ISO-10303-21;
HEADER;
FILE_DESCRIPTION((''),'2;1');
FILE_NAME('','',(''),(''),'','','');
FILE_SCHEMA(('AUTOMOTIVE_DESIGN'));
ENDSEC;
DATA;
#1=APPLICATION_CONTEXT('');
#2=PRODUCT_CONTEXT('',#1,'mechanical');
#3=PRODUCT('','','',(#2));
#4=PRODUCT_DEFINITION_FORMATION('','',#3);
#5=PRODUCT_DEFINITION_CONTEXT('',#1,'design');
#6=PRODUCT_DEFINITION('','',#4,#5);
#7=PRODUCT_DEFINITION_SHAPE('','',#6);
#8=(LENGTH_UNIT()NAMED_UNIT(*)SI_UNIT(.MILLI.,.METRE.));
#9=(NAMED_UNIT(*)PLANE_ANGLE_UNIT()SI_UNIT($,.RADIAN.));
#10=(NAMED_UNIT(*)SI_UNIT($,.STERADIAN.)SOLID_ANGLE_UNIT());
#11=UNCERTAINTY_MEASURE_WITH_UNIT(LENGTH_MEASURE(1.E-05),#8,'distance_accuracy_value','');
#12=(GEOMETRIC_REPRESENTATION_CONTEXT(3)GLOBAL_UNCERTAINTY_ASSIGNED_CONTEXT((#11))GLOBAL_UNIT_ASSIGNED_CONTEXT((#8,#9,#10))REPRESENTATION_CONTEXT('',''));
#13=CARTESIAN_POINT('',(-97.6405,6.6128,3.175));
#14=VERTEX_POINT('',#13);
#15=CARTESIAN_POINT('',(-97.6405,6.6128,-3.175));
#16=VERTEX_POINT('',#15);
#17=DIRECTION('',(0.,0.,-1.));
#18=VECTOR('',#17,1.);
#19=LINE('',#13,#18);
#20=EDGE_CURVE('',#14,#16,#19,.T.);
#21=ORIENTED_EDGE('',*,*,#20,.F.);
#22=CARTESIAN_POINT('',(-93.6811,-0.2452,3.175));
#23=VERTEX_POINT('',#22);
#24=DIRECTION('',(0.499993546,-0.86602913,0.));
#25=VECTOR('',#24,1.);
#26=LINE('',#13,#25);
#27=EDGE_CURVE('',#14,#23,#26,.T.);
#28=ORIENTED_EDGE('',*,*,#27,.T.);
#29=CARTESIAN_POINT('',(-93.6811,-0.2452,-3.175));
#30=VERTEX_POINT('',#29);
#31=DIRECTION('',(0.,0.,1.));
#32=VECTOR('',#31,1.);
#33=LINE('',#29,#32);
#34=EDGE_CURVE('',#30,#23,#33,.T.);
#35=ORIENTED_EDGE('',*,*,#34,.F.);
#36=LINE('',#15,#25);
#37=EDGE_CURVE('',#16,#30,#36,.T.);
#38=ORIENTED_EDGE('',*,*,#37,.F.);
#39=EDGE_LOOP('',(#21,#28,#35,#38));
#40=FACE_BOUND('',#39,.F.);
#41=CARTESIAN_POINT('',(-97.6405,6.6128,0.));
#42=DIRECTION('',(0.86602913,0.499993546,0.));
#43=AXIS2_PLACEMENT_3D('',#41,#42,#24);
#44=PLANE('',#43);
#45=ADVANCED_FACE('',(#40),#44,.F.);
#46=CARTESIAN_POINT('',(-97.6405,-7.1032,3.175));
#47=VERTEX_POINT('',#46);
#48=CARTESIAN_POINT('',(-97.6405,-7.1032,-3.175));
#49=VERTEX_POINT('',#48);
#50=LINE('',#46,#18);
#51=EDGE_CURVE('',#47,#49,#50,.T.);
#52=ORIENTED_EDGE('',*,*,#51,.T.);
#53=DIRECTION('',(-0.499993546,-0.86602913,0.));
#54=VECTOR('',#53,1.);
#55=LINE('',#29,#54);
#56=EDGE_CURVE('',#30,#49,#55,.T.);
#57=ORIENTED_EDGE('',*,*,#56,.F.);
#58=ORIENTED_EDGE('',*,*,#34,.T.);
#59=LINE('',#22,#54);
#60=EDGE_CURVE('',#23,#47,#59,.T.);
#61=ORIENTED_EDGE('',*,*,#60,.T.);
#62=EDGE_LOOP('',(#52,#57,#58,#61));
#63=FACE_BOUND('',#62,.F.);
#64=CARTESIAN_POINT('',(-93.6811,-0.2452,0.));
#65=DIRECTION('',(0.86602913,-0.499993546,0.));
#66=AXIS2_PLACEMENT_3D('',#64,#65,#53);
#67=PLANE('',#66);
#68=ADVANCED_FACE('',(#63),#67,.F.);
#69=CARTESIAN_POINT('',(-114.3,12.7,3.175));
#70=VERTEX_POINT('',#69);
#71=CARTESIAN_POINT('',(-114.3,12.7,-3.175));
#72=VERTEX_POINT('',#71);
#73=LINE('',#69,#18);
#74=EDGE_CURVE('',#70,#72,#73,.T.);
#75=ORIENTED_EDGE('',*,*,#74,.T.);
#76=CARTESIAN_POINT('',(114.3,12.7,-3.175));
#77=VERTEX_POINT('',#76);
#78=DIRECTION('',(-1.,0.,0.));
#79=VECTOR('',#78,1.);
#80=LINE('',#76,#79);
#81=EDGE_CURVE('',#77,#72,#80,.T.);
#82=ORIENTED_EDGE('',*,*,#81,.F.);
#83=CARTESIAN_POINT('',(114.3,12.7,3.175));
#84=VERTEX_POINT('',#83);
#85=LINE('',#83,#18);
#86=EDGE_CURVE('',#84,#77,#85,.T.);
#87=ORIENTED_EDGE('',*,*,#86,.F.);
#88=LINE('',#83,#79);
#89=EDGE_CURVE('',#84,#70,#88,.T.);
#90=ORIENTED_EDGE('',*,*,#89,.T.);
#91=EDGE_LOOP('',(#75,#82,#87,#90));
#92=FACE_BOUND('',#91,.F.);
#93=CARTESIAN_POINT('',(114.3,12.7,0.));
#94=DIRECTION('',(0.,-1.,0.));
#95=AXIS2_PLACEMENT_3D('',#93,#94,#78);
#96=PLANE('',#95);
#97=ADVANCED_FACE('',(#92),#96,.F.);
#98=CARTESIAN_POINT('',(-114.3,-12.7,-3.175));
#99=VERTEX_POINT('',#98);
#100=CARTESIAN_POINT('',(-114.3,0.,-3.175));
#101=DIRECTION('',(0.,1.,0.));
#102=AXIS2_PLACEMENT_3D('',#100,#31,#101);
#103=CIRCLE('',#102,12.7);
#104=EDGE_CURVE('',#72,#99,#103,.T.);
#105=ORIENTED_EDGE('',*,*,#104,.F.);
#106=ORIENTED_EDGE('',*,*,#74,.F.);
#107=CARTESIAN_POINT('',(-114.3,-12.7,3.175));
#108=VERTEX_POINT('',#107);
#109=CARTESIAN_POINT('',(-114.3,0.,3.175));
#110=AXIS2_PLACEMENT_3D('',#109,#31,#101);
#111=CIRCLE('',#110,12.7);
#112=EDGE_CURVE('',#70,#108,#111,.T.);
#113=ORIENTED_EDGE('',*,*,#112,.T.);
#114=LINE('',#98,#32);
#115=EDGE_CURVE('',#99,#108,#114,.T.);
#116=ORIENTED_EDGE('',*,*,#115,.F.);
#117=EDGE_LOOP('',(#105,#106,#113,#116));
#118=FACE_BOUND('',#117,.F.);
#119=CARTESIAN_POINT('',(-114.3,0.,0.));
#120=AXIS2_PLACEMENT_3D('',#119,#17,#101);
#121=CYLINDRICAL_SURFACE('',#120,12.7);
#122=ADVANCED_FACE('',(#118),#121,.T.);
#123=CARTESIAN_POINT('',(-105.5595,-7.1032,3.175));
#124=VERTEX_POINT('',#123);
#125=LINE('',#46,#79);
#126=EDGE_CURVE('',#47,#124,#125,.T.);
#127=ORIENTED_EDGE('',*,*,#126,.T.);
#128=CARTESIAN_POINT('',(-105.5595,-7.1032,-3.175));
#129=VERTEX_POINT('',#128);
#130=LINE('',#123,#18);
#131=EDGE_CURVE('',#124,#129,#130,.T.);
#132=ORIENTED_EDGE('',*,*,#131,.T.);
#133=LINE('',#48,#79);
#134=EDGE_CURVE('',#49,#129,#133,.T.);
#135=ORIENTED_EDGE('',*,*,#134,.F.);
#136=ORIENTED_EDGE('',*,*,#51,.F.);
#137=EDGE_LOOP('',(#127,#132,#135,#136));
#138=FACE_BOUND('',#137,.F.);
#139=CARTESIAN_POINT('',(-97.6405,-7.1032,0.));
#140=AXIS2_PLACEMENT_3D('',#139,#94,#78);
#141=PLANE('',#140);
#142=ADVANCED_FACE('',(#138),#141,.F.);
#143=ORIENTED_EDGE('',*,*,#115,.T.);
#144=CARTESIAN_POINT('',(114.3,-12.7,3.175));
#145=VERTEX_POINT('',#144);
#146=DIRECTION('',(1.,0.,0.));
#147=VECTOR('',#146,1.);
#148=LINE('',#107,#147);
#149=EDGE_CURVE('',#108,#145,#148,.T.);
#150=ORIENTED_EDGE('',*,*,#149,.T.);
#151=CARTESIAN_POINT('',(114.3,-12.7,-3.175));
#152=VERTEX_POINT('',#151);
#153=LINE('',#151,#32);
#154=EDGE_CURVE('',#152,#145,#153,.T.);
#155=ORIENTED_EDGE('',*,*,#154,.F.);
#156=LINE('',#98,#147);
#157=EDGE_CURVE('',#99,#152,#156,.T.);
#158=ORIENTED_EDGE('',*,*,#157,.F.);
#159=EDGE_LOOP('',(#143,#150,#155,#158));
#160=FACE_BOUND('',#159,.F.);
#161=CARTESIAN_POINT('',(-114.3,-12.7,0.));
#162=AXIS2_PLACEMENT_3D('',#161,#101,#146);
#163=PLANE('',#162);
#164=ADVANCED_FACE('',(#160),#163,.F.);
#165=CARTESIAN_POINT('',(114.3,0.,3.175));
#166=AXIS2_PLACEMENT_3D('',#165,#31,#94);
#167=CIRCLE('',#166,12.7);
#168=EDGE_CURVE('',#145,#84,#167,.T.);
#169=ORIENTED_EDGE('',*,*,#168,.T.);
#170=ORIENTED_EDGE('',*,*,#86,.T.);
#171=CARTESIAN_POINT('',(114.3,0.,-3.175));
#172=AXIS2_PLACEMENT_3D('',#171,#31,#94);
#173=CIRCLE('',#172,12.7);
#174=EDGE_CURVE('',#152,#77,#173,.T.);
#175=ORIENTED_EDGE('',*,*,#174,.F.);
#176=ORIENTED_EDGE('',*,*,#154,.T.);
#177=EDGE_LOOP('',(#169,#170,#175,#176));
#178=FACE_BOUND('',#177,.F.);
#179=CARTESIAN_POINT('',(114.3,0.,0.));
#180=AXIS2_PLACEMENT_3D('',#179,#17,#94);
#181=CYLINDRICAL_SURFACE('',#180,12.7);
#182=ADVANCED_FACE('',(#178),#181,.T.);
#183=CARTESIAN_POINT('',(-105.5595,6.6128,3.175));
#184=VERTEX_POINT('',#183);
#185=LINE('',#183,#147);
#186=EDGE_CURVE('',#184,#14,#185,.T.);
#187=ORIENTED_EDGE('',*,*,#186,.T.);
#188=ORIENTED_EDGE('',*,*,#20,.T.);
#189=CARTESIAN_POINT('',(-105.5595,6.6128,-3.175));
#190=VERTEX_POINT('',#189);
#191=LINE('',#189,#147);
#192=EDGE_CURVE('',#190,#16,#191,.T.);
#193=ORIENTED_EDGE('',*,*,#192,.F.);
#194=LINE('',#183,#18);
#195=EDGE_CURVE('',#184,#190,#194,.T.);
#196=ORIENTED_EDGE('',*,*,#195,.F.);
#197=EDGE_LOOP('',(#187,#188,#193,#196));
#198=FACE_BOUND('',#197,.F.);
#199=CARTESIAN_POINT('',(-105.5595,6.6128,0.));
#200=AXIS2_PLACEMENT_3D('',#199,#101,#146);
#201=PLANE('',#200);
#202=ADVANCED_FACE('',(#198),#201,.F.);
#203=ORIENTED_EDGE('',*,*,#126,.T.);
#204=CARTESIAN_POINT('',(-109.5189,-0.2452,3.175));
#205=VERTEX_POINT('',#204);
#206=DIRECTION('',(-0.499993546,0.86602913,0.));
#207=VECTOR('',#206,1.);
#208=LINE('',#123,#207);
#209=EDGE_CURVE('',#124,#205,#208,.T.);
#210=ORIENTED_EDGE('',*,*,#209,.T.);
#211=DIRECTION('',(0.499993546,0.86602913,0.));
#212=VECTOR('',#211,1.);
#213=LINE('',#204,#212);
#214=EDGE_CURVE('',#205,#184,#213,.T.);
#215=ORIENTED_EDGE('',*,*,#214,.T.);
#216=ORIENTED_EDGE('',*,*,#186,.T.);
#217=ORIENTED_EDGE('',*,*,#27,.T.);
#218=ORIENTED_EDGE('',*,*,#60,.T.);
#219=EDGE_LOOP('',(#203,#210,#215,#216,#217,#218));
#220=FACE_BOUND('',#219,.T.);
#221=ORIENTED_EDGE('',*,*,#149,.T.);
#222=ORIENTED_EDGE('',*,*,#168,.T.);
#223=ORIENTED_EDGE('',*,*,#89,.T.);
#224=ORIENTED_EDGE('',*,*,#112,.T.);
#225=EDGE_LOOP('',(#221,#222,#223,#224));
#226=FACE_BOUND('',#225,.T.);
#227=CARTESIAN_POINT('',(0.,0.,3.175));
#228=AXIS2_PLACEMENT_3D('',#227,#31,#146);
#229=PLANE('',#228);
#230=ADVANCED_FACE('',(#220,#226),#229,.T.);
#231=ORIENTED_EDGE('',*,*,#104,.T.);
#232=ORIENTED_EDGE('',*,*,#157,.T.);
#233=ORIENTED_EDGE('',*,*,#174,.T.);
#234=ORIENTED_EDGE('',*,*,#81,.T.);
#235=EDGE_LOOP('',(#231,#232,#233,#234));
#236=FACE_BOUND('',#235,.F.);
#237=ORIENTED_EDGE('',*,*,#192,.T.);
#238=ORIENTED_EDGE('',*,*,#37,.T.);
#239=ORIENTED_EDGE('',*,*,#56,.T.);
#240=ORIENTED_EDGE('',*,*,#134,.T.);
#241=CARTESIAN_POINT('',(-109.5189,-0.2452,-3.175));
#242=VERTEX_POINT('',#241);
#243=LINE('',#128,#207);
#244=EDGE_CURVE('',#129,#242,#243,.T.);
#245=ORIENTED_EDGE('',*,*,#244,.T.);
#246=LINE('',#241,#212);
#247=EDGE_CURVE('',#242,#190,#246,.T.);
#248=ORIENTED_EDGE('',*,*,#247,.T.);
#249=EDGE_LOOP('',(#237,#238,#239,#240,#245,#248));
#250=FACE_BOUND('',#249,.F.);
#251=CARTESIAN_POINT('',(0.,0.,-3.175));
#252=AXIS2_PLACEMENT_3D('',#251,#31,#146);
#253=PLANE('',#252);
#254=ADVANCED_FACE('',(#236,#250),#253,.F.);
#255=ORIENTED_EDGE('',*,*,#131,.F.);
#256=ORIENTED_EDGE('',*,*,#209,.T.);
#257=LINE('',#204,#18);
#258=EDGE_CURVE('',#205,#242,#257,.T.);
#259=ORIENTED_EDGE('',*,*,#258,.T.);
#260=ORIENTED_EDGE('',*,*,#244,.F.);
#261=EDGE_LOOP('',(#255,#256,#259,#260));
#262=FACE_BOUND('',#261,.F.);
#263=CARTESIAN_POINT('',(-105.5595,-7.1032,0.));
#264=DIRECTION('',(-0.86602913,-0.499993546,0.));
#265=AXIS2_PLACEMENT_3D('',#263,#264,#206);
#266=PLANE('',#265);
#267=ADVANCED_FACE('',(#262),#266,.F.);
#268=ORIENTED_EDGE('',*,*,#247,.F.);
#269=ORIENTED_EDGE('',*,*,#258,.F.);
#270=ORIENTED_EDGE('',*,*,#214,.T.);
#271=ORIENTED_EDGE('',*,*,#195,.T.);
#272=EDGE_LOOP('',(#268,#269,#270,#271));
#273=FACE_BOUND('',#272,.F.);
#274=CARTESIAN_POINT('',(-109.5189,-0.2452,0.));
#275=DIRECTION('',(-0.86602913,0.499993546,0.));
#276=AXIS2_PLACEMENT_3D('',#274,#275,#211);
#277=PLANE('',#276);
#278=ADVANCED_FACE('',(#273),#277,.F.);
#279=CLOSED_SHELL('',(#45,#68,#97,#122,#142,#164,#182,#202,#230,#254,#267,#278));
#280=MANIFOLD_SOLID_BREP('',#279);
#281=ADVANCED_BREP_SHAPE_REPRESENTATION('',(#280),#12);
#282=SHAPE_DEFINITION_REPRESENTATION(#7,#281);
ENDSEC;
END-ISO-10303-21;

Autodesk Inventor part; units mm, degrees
ref_plane "YZ Plane" through (0, 0, 0) normal (1, 0, 0) x (0, 1, 0)
ref_plane "XZ Plane" through (0, 0, 0) normal (0, 1, 0) x (-1, 0, 0)
ref_plane "XY Plane" through (0, 0, 0) normal (0, 0, 1) x (1, 0, 0)
sketch "Sketch1" plane through (0, 0, 0) normal (0, 0, 1) x (1, 0, 0)
  line L0 (-114.3, -12.7) -> (114.3, -12.7)
  line L1 (114.3, 12.7) -> (-114.3, 12.7)
  line L2 (-127, -12.7) -> (127, 12.7) construction
  line L3 (127, -12.7) -> (-127, 12.7) construction
  line L4 (-93.6811, -0.2452) -> (-97.6405, -7.1032)
  line L5 (-97.6405, -7.1032) -> (-105.5595, -7.1032)
  line L6 (-105.5595, -7.1032) -> (-109.5189, -0.2452)
  line L7 (-109.5189, -0.2452) -> (-105.5595, 6.6128)
  line L8 (-105.5595, 6.6128) -> (-97.6405, 6.6128)
  line L9 (-97.6405, 6.6128) -> (-93.6811, -0.2452)
  arc A0 (-114.3, 12.7) -> (-114.3, -12.7) centre (-114.3, 0) ccw
  arc A1 (114.3, -12.7) -> (114.3, 12.7) centre (114.3, 0) ccw
  point P0 (0, 0)
  point P1 (-101.6, -0.2452)
  dimension "d0" = 254
  dimension "d1" = 25.4
  dimension "d2" = 13.716
  dimension "d14" = 25.4
extrude "Extrusion4" add sketch "Sketch1" along normal mid plane 6.35
properties part number "armForTurningControlWheel" material "PBT Plastic"
